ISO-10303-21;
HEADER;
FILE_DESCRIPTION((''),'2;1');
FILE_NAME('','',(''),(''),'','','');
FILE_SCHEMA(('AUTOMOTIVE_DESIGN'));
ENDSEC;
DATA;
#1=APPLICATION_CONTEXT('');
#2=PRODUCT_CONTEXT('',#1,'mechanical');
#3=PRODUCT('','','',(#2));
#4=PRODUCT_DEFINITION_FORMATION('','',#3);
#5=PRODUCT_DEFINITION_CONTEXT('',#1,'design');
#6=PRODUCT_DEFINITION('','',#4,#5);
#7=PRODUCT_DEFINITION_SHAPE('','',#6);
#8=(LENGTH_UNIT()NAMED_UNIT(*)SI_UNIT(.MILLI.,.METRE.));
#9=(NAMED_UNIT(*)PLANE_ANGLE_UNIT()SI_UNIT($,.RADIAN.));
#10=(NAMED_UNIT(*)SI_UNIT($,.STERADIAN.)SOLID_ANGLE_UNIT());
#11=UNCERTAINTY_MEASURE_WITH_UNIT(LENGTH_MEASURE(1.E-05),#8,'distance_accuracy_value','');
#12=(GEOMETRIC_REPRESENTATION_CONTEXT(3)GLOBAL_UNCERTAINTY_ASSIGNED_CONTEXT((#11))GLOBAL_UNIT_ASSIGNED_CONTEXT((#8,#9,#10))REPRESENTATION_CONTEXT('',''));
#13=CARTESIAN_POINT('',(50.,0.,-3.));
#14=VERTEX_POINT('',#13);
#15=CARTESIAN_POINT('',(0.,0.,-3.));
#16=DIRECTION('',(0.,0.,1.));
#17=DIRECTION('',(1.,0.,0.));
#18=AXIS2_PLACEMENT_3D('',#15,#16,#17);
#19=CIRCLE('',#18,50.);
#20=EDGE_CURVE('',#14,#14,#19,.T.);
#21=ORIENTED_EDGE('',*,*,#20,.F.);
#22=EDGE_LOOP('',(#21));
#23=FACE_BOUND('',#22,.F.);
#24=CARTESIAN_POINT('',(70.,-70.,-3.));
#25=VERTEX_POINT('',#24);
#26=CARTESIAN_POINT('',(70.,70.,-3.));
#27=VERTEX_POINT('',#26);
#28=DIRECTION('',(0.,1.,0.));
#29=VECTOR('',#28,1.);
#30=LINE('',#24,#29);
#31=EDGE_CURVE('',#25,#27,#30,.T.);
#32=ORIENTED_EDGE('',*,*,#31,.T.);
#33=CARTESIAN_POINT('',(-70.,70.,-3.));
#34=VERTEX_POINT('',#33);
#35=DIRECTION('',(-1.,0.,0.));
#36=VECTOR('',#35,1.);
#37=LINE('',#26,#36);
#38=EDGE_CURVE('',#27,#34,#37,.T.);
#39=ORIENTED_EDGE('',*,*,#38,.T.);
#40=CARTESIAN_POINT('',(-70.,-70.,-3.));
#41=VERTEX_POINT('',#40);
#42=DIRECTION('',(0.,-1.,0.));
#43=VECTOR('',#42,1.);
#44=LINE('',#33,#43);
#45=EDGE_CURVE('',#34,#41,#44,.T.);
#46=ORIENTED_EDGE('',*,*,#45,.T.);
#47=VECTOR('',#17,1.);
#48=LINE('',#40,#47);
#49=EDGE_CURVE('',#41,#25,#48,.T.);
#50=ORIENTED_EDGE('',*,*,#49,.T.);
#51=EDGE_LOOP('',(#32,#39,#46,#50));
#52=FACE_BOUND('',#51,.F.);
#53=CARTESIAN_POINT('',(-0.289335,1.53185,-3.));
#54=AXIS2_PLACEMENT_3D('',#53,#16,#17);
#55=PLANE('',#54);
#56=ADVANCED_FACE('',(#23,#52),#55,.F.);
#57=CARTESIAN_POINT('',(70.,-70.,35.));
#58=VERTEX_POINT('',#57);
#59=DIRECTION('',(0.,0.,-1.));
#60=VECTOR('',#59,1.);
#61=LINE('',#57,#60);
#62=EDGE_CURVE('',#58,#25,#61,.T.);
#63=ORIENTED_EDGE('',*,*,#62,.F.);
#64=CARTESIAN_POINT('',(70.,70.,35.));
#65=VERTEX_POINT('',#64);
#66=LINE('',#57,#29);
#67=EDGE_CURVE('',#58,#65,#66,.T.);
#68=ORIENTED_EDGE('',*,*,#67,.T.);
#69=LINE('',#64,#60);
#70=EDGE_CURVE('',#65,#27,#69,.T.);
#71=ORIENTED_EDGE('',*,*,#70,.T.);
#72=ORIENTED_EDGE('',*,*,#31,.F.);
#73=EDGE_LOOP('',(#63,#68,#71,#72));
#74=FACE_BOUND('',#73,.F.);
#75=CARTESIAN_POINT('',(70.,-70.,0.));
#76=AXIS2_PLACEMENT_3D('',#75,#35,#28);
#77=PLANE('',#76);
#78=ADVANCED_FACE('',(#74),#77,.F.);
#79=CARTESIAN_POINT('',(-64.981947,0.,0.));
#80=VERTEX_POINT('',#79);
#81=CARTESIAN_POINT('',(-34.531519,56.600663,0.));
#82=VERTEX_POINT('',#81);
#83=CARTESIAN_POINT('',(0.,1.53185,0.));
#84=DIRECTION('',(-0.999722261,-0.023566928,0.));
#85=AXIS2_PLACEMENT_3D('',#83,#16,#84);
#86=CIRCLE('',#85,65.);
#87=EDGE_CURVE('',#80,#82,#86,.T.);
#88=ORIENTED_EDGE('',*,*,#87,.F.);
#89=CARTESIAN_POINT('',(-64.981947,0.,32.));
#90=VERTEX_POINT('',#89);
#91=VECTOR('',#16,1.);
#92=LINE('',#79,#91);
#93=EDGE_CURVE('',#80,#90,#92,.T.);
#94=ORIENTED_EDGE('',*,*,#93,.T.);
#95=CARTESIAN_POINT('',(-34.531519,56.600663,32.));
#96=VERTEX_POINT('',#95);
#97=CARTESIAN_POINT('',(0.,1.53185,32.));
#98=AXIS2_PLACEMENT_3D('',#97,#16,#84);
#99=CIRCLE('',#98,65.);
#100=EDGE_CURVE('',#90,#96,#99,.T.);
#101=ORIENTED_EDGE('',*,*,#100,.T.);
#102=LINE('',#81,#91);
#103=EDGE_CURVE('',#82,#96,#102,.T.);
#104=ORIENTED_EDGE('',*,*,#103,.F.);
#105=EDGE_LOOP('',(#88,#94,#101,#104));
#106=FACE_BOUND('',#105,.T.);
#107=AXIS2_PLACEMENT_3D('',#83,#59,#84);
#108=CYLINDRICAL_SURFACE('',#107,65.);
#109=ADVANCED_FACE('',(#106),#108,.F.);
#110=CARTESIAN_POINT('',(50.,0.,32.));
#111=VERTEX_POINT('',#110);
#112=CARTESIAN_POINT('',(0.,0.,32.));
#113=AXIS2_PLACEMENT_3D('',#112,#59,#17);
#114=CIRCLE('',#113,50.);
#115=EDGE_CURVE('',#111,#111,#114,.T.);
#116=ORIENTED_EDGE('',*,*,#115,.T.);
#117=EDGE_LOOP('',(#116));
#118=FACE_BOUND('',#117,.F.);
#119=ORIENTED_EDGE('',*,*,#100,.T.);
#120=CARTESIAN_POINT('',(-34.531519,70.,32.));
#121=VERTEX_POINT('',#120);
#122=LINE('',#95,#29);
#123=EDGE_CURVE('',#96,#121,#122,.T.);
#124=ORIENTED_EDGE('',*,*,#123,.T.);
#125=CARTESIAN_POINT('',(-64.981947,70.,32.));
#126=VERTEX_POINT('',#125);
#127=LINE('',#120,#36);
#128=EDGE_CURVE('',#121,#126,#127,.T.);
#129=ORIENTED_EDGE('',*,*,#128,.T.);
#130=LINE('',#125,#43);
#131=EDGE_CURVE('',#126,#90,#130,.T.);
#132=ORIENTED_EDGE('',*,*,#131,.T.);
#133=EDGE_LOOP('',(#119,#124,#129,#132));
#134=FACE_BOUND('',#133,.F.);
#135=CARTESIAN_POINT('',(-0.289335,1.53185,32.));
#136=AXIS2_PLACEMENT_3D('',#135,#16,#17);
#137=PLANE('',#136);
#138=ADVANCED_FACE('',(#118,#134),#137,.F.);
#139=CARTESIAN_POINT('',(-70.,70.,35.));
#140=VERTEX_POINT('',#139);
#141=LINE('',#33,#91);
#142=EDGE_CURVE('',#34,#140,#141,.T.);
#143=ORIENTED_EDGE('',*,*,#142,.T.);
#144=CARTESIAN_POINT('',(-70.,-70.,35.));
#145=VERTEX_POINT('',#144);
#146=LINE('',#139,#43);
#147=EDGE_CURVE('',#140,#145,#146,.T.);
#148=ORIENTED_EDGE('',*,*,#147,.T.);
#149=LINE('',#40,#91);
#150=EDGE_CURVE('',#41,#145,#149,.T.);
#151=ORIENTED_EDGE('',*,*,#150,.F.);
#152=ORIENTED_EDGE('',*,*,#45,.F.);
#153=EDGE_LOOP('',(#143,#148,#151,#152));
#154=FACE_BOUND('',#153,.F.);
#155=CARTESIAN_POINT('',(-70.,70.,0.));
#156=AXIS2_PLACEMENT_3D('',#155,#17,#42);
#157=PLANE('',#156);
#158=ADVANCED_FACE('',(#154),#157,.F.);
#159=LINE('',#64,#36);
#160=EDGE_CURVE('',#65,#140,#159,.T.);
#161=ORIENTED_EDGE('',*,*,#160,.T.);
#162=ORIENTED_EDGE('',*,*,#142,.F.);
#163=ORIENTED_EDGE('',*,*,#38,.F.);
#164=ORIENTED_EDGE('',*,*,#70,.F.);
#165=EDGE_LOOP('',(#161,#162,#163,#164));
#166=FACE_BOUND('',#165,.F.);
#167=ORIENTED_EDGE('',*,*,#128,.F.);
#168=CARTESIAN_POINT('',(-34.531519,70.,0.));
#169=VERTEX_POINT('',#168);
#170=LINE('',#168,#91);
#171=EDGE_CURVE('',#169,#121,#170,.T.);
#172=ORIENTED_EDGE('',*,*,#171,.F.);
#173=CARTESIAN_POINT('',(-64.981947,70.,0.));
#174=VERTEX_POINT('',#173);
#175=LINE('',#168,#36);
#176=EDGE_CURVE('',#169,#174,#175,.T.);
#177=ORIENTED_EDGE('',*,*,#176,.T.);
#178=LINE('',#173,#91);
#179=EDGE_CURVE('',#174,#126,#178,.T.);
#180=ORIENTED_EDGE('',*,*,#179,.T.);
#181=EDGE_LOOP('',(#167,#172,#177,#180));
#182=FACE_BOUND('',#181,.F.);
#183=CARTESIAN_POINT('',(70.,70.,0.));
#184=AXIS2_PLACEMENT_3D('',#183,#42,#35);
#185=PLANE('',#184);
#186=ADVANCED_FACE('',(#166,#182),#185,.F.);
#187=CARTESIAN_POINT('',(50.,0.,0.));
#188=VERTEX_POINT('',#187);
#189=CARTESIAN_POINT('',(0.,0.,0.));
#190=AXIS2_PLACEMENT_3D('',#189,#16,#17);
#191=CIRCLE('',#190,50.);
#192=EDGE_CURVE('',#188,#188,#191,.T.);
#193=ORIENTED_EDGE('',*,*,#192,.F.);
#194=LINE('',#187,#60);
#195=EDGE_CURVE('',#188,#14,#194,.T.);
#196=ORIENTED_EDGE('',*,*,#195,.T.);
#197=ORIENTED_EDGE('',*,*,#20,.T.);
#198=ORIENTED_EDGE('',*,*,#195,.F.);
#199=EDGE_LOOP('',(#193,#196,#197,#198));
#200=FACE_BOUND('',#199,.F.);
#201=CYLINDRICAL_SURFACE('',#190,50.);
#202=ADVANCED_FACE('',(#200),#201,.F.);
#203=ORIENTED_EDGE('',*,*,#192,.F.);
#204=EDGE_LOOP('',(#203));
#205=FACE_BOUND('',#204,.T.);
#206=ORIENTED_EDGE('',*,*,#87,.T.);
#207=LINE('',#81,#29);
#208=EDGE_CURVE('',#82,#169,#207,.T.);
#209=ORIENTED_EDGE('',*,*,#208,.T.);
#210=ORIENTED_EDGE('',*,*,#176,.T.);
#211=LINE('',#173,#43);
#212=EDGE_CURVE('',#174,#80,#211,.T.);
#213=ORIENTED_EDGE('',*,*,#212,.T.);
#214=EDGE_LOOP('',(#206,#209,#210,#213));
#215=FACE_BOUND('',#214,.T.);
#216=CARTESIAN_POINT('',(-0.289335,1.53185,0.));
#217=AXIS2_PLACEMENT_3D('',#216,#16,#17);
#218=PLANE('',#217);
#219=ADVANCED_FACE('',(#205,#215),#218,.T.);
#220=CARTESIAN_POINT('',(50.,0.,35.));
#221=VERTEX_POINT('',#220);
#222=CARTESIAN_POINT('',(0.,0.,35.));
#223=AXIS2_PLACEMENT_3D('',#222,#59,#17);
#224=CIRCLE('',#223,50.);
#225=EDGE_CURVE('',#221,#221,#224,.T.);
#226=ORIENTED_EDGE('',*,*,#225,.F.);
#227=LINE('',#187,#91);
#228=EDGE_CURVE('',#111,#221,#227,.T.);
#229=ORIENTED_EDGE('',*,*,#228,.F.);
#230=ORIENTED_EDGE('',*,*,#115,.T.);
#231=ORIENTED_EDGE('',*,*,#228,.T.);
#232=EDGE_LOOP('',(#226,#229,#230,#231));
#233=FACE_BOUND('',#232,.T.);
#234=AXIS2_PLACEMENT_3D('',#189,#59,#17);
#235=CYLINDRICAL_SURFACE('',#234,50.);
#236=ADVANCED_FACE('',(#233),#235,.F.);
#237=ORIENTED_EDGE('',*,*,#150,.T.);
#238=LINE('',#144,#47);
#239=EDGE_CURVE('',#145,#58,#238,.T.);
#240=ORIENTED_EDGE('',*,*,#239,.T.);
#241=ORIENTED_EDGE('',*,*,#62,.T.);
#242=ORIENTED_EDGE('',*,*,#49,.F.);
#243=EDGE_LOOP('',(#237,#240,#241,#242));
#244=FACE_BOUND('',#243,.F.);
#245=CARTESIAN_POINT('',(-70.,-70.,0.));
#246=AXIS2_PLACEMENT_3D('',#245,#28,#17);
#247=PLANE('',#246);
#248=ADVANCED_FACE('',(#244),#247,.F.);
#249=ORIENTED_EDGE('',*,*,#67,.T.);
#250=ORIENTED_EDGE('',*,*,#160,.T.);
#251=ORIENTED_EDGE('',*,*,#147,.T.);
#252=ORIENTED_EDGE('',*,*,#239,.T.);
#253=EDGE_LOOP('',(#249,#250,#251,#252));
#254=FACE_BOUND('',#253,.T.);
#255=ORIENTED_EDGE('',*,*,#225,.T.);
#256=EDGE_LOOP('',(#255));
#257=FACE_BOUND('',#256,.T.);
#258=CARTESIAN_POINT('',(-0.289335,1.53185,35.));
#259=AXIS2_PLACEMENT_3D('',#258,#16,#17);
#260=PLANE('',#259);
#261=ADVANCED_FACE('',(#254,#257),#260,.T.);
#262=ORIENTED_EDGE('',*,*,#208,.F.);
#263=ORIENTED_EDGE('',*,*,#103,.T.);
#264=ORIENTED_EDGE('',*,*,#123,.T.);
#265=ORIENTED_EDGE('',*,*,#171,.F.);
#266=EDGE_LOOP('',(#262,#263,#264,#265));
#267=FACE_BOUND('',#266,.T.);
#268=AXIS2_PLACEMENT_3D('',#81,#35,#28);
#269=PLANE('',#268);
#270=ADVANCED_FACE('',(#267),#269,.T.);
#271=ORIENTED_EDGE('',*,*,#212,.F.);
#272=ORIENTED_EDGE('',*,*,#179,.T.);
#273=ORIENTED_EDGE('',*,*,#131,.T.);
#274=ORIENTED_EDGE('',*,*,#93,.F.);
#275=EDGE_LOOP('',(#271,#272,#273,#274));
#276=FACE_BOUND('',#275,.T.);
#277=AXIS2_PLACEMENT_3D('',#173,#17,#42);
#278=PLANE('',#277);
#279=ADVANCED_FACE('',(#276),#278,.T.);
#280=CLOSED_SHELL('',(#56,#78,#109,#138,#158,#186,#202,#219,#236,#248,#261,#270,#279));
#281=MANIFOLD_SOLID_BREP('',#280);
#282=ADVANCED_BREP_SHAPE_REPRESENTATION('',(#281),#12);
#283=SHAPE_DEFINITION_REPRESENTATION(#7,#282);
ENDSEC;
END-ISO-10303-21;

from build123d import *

# Parameters (mm, degrees)
F0_R     = 50
F1_DEPTH = 3
F2_DEPTH = 35
F3_DEPTH = 32
F4_DEPTH = 84.6
F5_DEPTH = 25


with BuildPart() as f1:
    # F0 (on Top) → F1 (new body)
    with BuildSketch(Plane.XY):
        with BuildLine():
            ThreePointArc((65, 1.5318503138), (31.467850574, 58.406927283), (-34.5315193925, 56.600663343))
            ThreePointArc((-34.5315193925, 56.600663343), (-56.5003016989, 33.6677478107), (-64.98194699, 3.0637006275))
            Line((-64.98194699, 3.0637006275), (-64.98194699, 0))
            ThreePointArc((-64.98194699, 0), (0.7659783442, -63.463636277), (65, 1.5318503138))
        make_face()
        Circle(F0_R, mode=Mode.SUBTRACT)
        Circle(F0_R)
        with BuildLine():
            Line((-70, -70), (70, -70))
            Line((70, -70), (70, 70))
            Line((70, 70), (-34.5315193925, 70))
            Line((-34.5315193925, 70), (-34.5315193925, 56.600663343))
            ThreePointArc((-34.5315193925, 56.600663343), (31.467850574, 58.406927283), (65, 1.5318503138))
            ThreePointArc((65, 1.5318503138), (0.7659783442, -63.463636277), (-64.98194699, 0))
            ThreePointArc((-64.98194699, 0), (-65, 1.5318503138), (-64.98194699, 3.0637006275))
            Line((-64.98194699, 3.0637006275), (-64.98194699, 70))
            Line((-64.98194699, 70), (-70, 70))
            Line((-70, 70), (-70, -70))
        make_face()
        with BuildLine():
            Line((-34.5315193925, 56.600663343), (-34.5315193925, 70))
            Line((-34.5315193925, 70), (-64.98194699, 70))
            Line((-64.98194699, 70), (-64.98194699, 3.0637006275))
            ThreePointArc((-64.98194699, 3.0637006275), (-56.5003016989, 33.6677478107), (-34.5315193925, 56.600663343))
        make_face()
        with BuildLine():
            Line((-64.98194699, 0), (-64.98194699, 3.0637006275))
            ThreePointArc((-64.98194699, 3.0637006275), (-65, 1.5318503138), (-64.98194699, 0))
        make_face()
    extrude(amount=-F1_DEPTH)

    # F2 (add): a face of the model
    f2_faces = [f1.faces().sort_by_distance(p)[0] for p in [
        (0, 0, 0),
    ]]
    extrude(f2_faces, amount=F2_DEPTH)

    # F0 (on Top) → F3 (cut)
    with BuildSketch(Plane.XY):
        with BuildLine():
            ThreePointArc((65, 1.5318503138), (31.467850574, 58.406927283), (-34.5315193925, 56.600663343))
            ThreePointArc((-34.5315193925, 56.600663343), (-56.5003016989, 33.6677478107), (-64.98194699, 3.0637006275))
            Line((-64.98194699, 3.0637006275), (-64.98194699, 0))
            ThreePointArc((-64.98194699, 0), (0.7659783442, -63.463636277), (65, 1.5318503138))
        make_face()
        Circle(F0_R, mode=Mode.SUBTRACT)
        Circle(F0_R)
        with BuildLine():
            Line((-34.5315193925, 56.600663343), (-34.5315193925, 70))
            Line((-34.5315193925, 70), (-64.98194699, 70))
            Line((-64.98194699, 70), (-64.98194699, 3.0637006275))
            ThreePointArc((-64.98194699, 3.0637006275), (-56.5003016989, 33.6677478107), (-34.5315193925, 56.600663343))
        make_face()
    extrude(amount=F3_DEPTH, mode=Mode.SUBTRACT)

    # F0 (on Top) → F4 (cut)
    with BuildSketch(Plane.XY):
        Circle(F0_R)
    extrude(amount=F4_DEPTH, mode=Mode.SUBTRACT)

    # F0 (on Top) → F5 (cut)
    with BuildSketch(Plane.XY):
        Circle(F0_R)
    extrude(amount=-F5_DEPTH, mode=Mode.SUBTRACT)


solid = f1.part
